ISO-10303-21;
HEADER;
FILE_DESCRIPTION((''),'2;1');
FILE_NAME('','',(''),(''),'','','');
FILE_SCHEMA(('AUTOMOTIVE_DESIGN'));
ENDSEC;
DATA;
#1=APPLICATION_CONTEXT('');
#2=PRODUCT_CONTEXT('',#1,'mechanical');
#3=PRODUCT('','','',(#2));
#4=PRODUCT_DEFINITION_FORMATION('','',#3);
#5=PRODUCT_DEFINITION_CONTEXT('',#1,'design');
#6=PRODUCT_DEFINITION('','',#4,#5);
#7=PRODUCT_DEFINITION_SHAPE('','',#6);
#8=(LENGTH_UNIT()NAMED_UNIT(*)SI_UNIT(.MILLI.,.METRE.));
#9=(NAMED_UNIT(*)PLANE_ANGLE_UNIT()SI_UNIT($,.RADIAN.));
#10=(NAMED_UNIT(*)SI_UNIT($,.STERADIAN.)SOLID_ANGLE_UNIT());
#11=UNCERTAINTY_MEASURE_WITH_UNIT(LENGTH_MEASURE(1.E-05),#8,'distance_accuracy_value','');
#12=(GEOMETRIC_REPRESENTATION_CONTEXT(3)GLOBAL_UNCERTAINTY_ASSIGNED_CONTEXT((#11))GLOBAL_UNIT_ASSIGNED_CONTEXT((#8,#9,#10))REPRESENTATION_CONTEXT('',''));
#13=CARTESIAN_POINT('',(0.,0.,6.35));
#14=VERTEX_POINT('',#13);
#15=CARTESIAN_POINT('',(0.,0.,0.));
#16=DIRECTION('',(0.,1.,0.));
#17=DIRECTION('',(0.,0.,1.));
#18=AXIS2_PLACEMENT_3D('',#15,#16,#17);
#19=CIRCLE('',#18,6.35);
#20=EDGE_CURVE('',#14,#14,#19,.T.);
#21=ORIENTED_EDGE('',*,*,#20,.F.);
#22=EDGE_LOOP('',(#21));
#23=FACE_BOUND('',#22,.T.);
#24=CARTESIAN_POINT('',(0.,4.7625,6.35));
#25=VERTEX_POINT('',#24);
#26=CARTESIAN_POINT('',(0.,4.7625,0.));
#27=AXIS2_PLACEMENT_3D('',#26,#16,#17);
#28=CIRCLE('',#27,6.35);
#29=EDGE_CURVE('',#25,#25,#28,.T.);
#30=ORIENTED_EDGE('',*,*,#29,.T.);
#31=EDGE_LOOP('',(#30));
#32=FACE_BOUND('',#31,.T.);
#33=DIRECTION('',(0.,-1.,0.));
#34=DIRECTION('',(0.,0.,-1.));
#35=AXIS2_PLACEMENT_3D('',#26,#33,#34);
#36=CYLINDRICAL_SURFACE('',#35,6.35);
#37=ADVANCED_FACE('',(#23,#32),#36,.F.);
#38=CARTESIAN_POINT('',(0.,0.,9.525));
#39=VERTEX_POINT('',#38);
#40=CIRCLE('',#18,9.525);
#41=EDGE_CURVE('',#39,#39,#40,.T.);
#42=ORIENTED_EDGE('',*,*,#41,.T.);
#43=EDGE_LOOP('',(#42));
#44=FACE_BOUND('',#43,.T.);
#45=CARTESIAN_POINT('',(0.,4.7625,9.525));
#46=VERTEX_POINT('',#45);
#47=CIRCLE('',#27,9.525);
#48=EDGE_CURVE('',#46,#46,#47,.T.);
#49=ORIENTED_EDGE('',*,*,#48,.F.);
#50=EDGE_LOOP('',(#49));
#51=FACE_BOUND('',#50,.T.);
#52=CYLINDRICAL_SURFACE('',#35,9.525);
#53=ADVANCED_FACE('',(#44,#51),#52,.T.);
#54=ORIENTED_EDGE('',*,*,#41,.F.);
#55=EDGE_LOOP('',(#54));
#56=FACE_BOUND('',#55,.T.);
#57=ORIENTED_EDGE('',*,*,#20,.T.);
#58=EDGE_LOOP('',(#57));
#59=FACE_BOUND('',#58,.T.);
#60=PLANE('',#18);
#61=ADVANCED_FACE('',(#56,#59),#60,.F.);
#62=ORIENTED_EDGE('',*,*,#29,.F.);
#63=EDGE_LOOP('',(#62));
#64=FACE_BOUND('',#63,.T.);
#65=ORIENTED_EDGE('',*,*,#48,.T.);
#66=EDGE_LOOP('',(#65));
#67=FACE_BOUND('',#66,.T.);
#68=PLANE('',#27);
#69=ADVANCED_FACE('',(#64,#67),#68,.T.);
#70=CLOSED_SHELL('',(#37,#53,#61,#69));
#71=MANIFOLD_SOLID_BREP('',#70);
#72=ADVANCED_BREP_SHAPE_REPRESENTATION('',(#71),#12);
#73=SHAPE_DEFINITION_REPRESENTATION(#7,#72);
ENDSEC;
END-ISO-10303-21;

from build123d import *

# Parameters (mm, degrees)
SKETCH1_R           = 9.525
SKETCH1_R_2         = 6.35
BOSS_EXTRUDE1_DEPTH = 4.7625


with BuildPart() as part:
    # Sketch1 → Boss-Extrude1 (new body)
    with BuildSketch(Plane(origin=(0, 0, 0), x_dir=(1, 0, 0), z_dir=(0, 1, 0))):
        Circle(SKETCH1_R)
        Circle(SKETCH1_R_2, mode=Mode.SUBTRACT)
    extrude(amount=BOSS_EXTRUDE1_DEPTH)


solid = part.part
